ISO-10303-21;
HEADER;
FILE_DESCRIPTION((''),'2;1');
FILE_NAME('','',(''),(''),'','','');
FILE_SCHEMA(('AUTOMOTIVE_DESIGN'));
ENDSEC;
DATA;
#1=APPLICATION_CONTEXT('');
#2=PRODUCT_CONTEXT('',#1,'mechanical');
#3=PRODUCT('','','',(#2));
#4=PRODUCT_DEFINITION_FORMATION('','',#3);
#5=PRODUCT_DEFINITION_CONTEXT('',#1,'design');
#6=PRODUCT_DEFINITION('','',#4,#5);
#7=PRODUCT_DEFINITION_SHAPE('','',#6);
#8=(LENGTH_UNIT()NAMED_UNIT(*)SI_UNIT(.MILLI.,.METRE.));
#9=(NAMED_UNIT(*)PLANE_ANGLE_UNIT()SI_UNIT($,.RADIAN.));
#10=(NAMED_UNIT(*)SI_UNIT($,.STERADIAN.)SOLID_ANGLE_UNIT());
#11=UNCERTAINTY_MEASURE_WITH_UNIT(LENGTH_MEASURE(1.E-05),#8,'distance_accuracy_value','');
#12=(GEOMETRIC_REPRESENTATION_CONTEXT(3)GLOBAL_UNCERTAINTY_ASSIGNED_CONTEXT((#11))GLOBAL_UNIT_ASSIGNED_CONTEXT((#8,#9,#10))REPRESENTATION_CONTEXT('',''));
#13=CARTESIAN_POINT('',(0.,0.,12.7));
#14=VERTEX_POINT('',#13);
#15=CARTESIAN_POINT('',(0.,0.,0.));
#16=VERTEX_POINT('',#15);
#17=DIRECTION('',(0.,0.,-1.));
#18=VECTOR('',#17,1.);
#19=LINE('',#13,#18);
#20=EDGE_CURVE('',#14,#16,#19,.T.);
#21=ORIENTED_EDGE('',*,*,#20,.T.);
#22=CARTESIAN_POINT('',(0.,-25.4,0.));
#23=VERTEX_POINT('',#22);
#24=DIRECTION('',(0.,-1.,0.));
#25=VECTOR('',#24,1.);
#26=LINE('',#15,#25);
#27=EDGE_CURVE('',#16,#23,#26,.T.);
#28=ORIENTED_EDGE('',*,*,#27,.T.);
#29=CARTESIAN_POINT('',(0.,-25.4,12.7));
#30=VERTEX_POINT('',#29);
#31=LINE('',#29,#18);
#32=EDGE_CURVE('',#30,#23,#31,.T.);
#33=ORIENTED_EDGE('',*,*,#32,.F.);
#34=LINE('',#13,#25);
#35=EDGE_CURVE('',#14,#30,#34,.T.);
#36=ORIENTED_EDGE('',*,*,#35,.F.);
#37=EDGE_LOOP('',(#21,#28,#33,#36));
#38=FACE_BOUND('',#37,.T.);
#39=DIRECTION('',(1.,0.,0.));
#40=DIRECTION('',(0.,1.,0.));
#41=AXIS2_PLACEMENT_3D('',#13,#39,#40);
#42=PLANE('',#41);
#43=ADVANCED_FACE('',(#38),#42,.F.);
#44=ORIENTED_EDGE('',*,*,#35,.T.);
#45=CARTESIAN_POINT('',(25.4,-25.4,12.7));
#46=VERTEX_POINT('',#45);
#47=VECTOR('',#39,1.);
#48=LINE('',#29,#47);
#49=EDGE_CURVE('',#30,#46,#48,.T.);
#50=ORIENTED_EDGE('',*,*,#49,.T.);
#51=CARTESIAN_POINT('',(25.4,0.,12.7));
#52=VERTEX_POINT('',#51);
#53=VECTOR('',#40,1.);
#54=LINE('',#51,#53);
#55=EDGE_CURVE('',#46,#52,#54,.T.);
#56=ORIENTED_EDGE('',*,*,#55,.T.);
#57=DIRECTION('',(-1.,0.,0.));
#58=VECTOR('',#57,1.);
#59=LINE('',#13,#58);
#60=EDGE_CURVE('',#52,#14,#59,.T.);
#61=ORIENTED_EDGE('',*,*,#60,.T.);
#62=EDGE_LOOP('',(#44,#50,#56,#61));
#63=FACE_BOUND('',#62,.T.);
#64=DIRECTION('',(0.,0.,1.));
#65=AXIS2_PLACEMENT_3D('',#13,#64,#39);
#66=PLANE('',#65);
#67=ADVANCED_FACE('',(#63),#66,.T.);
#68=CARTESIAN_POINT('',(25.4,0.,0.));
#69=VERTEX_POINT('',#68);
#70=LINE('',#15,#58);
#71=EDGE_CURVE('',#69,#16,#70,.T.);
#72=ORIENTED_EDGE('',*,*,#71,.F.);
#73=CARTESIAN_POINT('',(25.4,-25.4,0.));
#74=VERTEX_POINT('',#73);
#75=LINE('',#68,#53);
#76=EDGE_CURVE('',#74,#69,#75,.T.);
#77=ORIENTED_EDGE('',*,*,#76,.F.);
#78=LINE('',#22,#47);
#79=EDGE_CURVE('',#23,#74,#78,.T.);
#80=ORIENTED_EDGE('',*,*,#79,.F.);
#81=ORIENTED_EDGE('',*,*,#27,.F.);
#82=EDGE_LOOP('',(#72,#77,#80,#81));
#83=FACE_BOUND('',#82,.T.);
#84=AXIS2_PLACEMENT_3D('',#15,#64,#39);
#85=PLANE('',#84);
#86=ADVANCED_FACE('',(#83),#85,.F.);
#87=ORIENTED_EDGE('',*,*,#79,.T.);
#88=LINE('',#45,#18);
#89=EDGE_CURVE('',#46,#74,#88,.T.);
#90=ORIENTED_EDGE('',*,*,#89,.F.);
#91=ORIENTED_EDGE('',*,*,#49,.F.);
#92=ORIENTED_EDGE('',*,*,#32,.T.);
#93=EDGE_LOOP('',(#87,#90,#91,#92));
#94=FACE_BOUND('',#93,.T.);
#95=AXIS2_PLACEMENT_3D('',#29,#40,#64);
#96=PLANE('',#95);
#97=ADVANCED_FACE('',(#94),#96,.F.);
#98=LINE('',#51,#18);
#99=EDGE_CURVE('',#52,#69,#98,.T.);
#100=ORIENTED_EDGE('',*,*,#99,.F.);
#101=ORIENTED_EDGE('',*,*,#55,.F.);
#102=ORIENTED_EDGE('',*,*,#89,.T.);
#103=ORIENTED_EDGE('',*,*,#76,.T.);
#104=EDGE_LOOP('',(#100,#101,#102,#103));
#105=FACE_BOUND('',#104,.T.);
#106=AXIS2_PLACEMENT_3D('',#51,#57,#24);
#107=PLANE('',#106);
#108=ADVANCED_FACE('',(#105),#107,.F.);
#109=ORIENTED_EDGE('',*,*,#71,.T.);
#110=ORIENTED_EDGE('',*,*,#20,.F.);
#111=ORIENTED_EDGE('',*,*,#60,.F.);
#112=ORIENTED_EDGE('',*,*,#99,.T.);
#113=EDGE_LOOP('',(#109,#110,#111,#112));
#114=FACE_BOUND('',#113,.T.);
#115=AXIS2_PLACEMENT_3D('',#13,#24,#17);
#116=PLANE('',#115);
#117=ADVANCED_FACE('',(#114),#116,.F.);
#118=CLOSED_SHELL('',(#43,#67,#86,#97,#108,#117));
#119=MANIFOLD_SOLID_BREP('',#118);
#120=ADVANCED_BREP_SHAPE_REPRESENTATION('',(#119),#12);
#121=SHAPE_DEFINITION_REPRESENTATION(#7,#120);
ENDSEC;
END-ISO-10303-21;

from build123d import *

# Parameters (mm, degrees)
SKETCH1_W           = 25.4
SKETCH1_H           = 25.4
BOSS_EXTRUDE1_DEPTH = 12.7


with BuildPart() as part:
    # Sketch1 → Boss-Extrude1 (new body)
    with BuildSketch(Plane.XY):
        with Locations((12.7, -12.7)):
            Rectangle(SKETCH1_W, SKETCH1_H)
    extrude(amount=BOSS_EXTRUDE1_DEPTH)


solid = part.part
